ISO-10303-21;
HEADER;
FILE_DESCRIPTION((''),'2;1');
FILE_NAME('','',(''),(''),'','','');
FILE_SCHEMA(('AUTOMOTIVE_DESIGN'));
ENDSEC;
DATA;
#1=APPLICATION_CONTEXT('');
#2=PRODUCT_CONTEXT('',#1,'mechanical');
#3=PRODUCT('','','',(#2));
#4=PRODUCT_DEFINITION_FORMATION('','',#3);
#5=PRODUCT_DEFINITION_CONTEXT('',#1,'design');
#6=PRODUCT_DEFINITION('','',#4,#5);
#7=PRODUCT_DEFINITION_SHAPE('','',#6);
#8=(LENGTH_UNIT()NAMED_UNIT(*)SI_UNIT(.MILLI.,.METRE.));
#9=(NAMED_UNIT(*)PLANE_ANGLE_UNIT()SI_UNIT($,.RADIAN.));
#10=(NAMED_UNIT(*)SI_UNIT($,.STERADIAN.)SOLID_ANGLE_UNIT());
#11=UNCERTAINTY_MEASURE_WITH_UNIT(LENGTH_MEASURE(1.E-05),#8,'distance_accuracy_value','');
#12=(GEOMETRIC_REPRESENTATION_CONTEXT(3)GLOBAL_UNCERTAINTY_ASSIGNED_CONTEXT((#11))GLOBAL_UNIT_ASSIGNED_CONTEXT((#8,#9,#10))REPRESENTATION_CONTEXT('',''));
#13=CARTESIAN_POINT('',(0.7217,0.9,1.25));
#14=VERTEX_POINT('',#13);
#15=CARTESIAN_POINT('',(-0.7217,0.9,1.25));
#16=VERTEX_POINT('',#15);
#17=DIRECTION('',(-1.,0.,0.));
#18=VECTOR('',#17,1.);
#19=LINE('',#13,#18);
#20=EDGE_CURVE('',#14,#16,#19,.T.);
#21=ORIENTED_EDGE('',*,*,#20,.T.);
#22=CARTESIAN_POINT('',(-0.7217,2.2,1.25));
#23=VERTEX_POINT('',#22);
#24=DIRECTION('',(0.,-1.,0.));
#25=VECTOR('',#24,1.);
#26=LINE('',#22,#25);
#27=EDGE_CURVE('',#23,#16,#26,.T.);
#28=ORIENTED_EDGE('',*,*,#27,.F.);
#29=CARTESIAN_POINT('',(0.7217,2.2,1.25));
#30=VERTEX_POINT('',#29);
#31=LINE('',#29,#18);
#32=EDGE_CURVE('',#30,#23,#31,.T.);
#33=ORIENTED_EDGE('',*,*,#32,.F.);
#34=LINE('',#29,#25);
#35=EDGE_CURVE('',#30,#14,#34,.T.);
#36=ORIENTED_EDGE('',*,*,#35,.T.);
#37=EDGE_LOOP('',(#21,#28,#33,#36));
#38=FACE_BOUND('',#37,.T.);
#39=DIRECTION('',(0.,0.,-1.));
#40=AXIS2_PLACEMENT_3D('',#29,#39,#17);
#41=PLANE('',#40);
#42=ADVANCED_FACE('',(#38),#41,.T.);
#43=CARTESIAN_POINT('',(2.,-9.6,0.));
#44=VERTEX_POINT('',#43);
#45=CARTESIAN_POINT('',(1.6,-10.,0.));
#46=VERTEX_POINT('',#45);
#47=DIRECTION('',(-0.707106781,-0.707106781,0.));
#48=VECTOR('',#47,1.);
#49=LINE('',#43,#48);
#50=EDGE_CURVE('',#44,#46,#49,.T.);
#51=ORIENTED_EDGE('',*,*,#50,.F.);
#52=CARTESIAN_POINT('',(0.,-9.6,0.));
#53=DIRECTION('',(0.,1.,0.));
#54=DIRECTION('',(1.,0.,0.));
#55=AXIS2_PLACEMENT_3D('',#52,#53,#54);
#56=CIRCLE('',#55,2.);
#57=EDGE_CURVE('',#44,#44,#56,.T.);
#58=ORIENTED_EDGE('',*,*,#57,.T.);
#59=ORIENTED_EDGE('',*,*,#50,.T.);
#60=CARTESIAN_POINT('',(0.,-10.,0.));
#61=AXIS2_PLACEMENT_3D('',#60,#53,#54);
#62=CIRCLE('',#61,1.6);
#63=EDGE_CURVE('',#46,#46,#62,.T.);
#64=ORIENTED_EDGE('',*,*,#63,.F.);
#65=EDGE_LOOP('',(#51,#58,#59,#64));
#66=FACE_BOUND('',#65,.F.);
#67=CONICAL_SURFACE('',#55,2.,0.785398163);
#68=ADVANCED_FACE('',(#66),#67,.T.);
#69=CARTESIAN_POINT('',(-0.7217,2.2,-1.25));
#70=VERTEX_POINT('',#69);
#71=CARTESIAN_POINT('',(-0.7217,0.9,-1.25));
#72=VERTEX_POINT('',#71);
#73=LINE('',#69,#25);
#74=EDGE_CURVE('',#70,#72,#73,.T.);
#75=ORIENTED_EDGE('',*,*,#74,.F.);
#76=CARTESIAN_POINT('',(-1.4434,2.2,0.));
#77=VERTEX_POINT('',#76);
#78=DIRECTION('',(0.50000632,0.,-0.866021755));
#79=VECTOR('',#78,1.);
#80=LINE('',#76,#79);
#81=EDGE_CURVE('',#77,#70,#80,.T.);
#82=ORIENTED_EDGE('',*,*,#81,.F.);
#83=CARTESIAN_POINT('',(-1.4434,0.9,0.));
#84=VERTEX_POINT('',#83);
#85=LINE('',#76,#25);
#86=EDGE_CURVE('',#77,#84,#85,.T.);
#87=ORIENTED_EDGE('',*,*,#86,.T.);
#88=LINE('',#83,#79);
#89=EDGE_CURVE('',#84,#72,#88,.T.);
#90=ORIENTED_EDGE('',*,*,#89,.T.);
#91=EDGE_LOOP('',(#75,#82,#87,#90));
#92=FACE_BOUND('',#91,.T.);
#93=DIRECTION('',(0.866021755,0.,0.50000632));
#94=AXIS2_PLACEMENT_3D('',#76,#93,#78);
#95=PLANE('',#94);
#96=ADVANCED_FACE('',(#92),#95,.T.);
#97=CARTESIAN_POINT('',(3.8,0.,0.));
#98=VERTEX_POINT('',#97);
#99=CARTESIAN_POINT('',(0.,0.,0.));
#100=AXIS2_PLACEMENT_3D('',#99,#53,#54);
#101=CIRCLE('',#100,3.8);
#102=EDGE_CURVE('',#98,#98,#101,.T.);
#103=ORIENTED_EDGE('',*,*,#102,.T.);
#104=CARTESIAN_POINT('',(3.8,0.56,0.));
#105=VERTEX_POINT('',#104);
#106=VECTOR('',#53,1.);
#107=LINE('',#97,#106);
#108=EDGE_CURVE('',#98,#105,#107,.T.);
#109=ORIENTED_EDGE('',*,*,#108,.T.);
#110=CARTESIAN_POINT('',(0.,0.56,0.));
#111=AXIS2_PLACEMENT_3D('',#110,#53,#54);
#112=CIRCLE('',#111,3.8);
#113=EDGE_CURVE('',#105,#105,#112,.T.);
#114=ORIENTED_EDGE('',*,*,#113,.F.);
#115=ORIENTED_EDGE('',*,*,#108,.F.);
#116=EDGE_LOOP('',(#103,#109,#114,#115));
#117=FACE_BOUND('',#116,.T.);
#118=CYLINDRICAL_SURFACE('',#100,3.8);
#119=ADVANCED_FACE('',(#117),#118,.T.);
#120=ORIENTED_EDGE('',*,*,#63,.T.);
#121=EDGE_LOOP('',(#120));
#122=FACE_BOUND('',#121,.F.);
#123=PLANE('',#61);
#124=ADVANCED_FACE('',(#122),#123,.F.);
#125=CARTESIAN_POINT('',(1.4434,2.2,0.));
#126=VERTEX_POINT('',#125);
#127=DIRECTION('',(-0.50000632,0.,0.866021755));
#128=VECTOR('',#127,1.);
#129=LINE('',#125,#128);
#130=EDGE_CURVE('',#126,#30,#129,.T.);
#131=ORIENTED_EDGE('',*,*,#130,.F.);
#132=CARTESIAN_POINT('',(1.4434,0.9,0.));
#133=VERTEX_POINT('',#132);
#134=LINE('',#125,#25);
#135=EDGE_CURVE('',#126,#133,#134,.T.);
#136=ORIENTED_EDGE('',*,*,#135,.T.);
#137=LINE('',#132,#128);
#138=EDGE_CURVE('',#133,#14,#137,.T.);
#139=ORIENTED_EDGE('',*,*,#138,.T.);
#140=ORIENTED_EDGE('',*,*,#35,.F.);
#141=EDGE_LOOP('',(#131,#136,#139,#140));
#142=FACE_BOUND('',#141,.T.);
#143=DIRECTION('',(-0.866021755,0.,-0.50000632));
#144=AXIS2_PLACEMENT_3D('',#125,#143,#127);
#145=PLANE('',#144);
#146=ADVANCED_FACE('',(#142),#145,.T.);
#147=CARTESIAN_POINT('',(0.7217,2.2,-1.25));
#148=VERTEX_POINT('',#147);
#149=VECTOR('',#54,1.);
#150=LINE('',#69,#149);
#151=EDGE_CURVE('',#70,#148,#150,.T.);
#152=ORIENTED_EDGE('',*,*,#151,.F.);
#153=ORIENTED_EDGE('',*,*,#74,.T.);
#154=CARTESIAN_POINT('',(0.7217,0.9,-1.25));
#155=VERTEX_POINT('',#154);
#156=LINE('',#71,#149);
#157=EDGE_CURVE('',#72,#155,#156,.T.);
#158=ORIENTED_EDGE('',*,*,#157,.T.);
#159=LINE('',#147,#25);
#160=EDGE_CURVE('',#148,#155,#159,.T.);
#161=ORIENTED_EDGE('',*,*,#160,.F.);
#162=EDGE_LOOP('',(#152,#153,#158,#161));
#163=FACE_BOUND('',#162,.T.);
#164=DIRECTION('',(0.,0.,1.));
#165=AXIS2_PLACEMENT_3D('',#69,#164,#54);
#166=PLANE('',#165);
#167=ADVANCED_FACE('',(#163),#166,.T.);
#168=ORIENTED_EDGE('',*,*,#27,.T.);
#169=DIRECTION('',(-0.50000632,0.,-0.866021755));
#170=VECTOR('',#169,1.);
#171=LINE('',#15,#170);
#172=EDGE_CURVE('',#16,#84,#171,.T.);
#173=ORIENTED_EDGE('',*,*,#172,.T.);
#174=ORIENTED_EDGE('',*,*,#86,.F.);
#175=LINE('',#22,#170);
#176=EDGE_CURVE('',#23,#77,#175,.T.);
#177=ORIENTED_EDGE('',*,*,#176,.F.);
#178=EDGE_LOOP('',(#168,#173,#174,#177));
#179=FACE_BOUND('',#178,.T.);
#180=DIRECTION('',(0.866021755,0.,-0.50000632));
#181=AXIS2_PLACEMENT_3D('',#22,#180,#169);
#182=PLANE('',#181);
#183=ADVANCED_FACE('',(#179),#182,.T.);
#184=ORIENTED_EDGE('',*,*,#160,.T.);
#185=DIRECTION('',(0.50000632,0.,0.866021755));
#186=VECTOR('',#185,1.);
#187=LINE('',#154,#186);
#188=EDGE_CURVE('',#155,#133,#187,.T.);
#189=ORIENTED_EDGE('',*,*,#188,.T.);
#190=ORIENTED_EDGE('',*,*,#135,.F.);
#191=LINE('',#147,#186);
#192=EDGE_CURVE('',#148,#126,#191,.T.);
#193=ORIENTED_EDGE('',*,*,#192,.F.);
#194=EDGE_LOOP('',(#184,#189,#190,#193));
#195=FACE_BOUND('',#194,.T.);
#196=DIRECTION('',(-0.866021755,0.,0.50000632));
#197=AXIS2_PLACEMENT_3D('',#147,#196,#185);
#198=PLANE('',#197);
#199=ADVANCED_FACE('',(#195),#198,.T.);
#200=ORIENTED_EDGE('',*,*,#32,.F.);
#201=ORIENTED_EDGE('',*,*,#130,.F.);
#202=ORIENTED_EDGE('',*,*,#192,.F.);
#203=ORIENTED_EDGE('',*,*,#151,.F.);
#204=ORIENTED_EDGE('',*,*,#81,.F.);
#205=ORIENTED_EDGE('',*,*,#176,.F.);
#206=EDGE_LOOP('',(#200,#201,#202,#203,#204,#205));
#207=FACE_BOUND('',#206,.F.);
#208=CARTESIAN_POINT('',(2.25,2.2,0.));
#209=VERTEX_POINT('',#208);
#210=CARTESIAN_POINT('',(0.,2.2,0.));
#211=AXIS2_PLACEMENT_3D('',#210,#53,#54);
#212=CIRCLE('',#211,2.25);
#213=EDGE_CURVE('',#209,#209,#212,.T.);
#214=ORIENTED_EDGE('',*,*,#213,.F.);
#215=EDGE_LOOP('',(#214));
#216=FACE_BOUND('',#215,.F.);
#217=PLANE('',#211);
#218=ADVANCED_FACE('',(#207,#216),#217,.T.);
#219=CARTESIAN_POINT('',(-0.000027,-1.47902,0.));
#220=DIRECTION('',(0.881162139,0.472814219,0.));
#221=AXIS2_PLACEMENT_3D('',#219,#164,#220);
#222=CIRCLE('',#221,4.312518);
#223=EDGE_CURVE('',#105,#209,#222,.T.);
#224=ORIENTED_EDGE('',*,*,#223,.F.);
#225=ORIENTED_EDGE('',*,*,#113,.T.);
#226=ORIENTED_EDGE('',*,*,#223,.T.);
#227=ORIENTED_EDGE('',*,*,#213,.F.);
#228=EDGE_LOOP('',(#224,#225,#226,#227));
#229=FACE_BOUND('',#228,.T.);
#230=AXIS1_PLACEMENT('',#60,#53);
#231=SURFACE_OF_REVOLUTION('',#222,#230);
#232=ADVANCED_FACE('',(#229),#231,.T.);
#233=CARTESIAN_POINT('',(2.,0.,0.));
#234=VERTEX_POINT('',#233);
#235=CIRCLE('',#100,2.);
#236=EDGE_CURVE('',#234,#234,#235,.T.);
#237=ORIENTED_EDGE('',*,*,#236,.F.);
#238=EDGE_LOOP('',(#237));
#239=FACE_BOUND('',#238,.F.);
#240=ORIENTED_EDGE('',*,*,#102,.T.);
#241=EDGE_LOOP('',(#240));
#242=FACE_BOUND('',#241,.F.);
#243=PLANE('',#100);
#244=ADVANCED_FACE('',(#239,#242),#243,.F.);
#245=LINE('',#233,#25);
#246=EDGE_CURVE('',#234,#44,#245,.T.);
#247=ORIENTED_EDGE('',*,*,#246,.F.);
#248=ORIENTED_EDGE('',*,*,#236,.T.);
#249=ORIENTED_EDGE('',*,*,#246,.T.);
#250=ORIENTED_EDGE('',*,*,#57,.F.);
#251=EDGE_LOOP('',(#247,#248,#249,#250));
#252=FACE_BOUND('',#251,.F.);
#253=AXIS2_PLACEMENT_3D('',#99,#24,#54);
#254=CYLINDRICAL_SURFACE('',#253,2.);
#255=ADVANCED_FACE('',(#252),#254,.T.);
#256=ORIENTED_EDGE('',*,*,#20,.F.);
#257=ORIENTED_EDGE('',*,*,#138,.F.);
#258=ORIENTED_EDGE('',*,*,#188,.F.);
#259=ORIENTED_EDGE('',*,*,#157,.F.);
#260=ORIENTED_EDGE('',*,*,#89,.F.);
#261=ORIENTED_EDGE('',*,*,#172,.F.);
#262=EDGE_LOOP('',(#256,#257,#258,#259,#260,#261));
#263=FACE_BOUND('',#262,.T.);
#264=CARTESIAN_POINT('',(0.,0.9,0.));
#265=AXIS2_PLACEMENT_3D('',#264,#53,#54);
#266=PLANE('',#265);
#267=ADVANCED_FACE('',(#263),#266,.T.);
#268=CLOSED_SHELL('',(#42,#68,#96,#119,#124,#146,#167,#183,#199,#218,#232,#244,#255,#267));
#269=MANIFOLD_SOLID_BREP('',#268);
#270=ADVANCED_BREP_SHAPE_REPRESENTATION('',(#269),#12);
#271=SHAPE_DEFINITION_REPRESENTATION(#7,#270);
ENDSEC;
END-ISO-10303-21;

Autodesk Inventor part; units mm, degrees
ref_plane "YZ Plane" through (0, 0, 0) normal (1, 0, 0) x (0, 1, 0)
ref_plane "XZ Plane" through (0, 0, 0) normal (0, 1, 0) x (-1, 0, 0)
ref_plane "XY Plane" through (0, 0, 0) normal (0, 0, 1) x (1, 0, 0)
sketch "Sketch1" plane through (0, 0, 0) normal (0, 0, 1) x (1, 0, 0)
  line L0 (0, -22.0606) -> (0, 6.3638) projected
  line L1 (0, 2.2) -> (2.25, 2.2)
  line L2 (3.8, 0) -> (3.8, 0.56)
  arc A0 (3.8, 0.56) -> (2.25, 2.2) centre (0, -1.479) ccw
  line L3 (3.8, 0) -> (2, 0)
  line L4 (2, 0) -> (2, -10)
  line L5 (2, -10) -> (0, -10)
  point P0 (0, 0)
  dimension "BoltDia" = 4
  dimension "HeadDia" = 7.6
  dimension "HeadHeight" = 2.2
  dimension "SideHeight" = 0.56
  dimension "TopFlatDia" = 4.5
  dimension "Length" = 10
revolve "Revolution1" add sketch "Sketch1" angle 360 about axis through (0, -10, 0) along (0, 1, 0)
sketch "Sketch2" plane through (0, 2.2, 0) normal (0, 1, 0) x (1, 0, 0)
  circle A0 centre (0, 0) radius 2.25 projected
  circle A1 centre (0, 0) radius 1.25 construction
  line L0 (-0.7217, 1.25) -> (0.7217, 1.25)
  line L1 (0.7217, 1.25) -> (1.4434, 0)
  line L2 (1.4434, 0) -> (0.7217, -1.25)
  line L3 (0.7217, -1.25) -> (-0.7217, -1.25)
  line L4 (-0.7217, -1.25) -> (-1.4434, 0)
  line L5 (-1.4434, 0) -> (-0.7217, 1.25)
  dimension "HexSize" = 2.5
extrude "Hex" cut sketch "Sketch2" against normal blind 1.3 contours L0 L1 L2 L3 L4 L5
thread "Thread1" size "M4x0.7" class "4g6g" standard "ANSI Metric M Profile" full length
chamfer "Chamfer1" distance 0.4 angle 45 1 edges at (-2, -10, 0)
equation "\"d11\" = 0.1 * BoltDia"
equation "\"d12\" = 0.1 * BoltDia"
equation "\"d17\" = HexSize"
properties part number "SCREW, BUTTON HD, P, 12.9, M4X0.7X18MM" material "Steel"
